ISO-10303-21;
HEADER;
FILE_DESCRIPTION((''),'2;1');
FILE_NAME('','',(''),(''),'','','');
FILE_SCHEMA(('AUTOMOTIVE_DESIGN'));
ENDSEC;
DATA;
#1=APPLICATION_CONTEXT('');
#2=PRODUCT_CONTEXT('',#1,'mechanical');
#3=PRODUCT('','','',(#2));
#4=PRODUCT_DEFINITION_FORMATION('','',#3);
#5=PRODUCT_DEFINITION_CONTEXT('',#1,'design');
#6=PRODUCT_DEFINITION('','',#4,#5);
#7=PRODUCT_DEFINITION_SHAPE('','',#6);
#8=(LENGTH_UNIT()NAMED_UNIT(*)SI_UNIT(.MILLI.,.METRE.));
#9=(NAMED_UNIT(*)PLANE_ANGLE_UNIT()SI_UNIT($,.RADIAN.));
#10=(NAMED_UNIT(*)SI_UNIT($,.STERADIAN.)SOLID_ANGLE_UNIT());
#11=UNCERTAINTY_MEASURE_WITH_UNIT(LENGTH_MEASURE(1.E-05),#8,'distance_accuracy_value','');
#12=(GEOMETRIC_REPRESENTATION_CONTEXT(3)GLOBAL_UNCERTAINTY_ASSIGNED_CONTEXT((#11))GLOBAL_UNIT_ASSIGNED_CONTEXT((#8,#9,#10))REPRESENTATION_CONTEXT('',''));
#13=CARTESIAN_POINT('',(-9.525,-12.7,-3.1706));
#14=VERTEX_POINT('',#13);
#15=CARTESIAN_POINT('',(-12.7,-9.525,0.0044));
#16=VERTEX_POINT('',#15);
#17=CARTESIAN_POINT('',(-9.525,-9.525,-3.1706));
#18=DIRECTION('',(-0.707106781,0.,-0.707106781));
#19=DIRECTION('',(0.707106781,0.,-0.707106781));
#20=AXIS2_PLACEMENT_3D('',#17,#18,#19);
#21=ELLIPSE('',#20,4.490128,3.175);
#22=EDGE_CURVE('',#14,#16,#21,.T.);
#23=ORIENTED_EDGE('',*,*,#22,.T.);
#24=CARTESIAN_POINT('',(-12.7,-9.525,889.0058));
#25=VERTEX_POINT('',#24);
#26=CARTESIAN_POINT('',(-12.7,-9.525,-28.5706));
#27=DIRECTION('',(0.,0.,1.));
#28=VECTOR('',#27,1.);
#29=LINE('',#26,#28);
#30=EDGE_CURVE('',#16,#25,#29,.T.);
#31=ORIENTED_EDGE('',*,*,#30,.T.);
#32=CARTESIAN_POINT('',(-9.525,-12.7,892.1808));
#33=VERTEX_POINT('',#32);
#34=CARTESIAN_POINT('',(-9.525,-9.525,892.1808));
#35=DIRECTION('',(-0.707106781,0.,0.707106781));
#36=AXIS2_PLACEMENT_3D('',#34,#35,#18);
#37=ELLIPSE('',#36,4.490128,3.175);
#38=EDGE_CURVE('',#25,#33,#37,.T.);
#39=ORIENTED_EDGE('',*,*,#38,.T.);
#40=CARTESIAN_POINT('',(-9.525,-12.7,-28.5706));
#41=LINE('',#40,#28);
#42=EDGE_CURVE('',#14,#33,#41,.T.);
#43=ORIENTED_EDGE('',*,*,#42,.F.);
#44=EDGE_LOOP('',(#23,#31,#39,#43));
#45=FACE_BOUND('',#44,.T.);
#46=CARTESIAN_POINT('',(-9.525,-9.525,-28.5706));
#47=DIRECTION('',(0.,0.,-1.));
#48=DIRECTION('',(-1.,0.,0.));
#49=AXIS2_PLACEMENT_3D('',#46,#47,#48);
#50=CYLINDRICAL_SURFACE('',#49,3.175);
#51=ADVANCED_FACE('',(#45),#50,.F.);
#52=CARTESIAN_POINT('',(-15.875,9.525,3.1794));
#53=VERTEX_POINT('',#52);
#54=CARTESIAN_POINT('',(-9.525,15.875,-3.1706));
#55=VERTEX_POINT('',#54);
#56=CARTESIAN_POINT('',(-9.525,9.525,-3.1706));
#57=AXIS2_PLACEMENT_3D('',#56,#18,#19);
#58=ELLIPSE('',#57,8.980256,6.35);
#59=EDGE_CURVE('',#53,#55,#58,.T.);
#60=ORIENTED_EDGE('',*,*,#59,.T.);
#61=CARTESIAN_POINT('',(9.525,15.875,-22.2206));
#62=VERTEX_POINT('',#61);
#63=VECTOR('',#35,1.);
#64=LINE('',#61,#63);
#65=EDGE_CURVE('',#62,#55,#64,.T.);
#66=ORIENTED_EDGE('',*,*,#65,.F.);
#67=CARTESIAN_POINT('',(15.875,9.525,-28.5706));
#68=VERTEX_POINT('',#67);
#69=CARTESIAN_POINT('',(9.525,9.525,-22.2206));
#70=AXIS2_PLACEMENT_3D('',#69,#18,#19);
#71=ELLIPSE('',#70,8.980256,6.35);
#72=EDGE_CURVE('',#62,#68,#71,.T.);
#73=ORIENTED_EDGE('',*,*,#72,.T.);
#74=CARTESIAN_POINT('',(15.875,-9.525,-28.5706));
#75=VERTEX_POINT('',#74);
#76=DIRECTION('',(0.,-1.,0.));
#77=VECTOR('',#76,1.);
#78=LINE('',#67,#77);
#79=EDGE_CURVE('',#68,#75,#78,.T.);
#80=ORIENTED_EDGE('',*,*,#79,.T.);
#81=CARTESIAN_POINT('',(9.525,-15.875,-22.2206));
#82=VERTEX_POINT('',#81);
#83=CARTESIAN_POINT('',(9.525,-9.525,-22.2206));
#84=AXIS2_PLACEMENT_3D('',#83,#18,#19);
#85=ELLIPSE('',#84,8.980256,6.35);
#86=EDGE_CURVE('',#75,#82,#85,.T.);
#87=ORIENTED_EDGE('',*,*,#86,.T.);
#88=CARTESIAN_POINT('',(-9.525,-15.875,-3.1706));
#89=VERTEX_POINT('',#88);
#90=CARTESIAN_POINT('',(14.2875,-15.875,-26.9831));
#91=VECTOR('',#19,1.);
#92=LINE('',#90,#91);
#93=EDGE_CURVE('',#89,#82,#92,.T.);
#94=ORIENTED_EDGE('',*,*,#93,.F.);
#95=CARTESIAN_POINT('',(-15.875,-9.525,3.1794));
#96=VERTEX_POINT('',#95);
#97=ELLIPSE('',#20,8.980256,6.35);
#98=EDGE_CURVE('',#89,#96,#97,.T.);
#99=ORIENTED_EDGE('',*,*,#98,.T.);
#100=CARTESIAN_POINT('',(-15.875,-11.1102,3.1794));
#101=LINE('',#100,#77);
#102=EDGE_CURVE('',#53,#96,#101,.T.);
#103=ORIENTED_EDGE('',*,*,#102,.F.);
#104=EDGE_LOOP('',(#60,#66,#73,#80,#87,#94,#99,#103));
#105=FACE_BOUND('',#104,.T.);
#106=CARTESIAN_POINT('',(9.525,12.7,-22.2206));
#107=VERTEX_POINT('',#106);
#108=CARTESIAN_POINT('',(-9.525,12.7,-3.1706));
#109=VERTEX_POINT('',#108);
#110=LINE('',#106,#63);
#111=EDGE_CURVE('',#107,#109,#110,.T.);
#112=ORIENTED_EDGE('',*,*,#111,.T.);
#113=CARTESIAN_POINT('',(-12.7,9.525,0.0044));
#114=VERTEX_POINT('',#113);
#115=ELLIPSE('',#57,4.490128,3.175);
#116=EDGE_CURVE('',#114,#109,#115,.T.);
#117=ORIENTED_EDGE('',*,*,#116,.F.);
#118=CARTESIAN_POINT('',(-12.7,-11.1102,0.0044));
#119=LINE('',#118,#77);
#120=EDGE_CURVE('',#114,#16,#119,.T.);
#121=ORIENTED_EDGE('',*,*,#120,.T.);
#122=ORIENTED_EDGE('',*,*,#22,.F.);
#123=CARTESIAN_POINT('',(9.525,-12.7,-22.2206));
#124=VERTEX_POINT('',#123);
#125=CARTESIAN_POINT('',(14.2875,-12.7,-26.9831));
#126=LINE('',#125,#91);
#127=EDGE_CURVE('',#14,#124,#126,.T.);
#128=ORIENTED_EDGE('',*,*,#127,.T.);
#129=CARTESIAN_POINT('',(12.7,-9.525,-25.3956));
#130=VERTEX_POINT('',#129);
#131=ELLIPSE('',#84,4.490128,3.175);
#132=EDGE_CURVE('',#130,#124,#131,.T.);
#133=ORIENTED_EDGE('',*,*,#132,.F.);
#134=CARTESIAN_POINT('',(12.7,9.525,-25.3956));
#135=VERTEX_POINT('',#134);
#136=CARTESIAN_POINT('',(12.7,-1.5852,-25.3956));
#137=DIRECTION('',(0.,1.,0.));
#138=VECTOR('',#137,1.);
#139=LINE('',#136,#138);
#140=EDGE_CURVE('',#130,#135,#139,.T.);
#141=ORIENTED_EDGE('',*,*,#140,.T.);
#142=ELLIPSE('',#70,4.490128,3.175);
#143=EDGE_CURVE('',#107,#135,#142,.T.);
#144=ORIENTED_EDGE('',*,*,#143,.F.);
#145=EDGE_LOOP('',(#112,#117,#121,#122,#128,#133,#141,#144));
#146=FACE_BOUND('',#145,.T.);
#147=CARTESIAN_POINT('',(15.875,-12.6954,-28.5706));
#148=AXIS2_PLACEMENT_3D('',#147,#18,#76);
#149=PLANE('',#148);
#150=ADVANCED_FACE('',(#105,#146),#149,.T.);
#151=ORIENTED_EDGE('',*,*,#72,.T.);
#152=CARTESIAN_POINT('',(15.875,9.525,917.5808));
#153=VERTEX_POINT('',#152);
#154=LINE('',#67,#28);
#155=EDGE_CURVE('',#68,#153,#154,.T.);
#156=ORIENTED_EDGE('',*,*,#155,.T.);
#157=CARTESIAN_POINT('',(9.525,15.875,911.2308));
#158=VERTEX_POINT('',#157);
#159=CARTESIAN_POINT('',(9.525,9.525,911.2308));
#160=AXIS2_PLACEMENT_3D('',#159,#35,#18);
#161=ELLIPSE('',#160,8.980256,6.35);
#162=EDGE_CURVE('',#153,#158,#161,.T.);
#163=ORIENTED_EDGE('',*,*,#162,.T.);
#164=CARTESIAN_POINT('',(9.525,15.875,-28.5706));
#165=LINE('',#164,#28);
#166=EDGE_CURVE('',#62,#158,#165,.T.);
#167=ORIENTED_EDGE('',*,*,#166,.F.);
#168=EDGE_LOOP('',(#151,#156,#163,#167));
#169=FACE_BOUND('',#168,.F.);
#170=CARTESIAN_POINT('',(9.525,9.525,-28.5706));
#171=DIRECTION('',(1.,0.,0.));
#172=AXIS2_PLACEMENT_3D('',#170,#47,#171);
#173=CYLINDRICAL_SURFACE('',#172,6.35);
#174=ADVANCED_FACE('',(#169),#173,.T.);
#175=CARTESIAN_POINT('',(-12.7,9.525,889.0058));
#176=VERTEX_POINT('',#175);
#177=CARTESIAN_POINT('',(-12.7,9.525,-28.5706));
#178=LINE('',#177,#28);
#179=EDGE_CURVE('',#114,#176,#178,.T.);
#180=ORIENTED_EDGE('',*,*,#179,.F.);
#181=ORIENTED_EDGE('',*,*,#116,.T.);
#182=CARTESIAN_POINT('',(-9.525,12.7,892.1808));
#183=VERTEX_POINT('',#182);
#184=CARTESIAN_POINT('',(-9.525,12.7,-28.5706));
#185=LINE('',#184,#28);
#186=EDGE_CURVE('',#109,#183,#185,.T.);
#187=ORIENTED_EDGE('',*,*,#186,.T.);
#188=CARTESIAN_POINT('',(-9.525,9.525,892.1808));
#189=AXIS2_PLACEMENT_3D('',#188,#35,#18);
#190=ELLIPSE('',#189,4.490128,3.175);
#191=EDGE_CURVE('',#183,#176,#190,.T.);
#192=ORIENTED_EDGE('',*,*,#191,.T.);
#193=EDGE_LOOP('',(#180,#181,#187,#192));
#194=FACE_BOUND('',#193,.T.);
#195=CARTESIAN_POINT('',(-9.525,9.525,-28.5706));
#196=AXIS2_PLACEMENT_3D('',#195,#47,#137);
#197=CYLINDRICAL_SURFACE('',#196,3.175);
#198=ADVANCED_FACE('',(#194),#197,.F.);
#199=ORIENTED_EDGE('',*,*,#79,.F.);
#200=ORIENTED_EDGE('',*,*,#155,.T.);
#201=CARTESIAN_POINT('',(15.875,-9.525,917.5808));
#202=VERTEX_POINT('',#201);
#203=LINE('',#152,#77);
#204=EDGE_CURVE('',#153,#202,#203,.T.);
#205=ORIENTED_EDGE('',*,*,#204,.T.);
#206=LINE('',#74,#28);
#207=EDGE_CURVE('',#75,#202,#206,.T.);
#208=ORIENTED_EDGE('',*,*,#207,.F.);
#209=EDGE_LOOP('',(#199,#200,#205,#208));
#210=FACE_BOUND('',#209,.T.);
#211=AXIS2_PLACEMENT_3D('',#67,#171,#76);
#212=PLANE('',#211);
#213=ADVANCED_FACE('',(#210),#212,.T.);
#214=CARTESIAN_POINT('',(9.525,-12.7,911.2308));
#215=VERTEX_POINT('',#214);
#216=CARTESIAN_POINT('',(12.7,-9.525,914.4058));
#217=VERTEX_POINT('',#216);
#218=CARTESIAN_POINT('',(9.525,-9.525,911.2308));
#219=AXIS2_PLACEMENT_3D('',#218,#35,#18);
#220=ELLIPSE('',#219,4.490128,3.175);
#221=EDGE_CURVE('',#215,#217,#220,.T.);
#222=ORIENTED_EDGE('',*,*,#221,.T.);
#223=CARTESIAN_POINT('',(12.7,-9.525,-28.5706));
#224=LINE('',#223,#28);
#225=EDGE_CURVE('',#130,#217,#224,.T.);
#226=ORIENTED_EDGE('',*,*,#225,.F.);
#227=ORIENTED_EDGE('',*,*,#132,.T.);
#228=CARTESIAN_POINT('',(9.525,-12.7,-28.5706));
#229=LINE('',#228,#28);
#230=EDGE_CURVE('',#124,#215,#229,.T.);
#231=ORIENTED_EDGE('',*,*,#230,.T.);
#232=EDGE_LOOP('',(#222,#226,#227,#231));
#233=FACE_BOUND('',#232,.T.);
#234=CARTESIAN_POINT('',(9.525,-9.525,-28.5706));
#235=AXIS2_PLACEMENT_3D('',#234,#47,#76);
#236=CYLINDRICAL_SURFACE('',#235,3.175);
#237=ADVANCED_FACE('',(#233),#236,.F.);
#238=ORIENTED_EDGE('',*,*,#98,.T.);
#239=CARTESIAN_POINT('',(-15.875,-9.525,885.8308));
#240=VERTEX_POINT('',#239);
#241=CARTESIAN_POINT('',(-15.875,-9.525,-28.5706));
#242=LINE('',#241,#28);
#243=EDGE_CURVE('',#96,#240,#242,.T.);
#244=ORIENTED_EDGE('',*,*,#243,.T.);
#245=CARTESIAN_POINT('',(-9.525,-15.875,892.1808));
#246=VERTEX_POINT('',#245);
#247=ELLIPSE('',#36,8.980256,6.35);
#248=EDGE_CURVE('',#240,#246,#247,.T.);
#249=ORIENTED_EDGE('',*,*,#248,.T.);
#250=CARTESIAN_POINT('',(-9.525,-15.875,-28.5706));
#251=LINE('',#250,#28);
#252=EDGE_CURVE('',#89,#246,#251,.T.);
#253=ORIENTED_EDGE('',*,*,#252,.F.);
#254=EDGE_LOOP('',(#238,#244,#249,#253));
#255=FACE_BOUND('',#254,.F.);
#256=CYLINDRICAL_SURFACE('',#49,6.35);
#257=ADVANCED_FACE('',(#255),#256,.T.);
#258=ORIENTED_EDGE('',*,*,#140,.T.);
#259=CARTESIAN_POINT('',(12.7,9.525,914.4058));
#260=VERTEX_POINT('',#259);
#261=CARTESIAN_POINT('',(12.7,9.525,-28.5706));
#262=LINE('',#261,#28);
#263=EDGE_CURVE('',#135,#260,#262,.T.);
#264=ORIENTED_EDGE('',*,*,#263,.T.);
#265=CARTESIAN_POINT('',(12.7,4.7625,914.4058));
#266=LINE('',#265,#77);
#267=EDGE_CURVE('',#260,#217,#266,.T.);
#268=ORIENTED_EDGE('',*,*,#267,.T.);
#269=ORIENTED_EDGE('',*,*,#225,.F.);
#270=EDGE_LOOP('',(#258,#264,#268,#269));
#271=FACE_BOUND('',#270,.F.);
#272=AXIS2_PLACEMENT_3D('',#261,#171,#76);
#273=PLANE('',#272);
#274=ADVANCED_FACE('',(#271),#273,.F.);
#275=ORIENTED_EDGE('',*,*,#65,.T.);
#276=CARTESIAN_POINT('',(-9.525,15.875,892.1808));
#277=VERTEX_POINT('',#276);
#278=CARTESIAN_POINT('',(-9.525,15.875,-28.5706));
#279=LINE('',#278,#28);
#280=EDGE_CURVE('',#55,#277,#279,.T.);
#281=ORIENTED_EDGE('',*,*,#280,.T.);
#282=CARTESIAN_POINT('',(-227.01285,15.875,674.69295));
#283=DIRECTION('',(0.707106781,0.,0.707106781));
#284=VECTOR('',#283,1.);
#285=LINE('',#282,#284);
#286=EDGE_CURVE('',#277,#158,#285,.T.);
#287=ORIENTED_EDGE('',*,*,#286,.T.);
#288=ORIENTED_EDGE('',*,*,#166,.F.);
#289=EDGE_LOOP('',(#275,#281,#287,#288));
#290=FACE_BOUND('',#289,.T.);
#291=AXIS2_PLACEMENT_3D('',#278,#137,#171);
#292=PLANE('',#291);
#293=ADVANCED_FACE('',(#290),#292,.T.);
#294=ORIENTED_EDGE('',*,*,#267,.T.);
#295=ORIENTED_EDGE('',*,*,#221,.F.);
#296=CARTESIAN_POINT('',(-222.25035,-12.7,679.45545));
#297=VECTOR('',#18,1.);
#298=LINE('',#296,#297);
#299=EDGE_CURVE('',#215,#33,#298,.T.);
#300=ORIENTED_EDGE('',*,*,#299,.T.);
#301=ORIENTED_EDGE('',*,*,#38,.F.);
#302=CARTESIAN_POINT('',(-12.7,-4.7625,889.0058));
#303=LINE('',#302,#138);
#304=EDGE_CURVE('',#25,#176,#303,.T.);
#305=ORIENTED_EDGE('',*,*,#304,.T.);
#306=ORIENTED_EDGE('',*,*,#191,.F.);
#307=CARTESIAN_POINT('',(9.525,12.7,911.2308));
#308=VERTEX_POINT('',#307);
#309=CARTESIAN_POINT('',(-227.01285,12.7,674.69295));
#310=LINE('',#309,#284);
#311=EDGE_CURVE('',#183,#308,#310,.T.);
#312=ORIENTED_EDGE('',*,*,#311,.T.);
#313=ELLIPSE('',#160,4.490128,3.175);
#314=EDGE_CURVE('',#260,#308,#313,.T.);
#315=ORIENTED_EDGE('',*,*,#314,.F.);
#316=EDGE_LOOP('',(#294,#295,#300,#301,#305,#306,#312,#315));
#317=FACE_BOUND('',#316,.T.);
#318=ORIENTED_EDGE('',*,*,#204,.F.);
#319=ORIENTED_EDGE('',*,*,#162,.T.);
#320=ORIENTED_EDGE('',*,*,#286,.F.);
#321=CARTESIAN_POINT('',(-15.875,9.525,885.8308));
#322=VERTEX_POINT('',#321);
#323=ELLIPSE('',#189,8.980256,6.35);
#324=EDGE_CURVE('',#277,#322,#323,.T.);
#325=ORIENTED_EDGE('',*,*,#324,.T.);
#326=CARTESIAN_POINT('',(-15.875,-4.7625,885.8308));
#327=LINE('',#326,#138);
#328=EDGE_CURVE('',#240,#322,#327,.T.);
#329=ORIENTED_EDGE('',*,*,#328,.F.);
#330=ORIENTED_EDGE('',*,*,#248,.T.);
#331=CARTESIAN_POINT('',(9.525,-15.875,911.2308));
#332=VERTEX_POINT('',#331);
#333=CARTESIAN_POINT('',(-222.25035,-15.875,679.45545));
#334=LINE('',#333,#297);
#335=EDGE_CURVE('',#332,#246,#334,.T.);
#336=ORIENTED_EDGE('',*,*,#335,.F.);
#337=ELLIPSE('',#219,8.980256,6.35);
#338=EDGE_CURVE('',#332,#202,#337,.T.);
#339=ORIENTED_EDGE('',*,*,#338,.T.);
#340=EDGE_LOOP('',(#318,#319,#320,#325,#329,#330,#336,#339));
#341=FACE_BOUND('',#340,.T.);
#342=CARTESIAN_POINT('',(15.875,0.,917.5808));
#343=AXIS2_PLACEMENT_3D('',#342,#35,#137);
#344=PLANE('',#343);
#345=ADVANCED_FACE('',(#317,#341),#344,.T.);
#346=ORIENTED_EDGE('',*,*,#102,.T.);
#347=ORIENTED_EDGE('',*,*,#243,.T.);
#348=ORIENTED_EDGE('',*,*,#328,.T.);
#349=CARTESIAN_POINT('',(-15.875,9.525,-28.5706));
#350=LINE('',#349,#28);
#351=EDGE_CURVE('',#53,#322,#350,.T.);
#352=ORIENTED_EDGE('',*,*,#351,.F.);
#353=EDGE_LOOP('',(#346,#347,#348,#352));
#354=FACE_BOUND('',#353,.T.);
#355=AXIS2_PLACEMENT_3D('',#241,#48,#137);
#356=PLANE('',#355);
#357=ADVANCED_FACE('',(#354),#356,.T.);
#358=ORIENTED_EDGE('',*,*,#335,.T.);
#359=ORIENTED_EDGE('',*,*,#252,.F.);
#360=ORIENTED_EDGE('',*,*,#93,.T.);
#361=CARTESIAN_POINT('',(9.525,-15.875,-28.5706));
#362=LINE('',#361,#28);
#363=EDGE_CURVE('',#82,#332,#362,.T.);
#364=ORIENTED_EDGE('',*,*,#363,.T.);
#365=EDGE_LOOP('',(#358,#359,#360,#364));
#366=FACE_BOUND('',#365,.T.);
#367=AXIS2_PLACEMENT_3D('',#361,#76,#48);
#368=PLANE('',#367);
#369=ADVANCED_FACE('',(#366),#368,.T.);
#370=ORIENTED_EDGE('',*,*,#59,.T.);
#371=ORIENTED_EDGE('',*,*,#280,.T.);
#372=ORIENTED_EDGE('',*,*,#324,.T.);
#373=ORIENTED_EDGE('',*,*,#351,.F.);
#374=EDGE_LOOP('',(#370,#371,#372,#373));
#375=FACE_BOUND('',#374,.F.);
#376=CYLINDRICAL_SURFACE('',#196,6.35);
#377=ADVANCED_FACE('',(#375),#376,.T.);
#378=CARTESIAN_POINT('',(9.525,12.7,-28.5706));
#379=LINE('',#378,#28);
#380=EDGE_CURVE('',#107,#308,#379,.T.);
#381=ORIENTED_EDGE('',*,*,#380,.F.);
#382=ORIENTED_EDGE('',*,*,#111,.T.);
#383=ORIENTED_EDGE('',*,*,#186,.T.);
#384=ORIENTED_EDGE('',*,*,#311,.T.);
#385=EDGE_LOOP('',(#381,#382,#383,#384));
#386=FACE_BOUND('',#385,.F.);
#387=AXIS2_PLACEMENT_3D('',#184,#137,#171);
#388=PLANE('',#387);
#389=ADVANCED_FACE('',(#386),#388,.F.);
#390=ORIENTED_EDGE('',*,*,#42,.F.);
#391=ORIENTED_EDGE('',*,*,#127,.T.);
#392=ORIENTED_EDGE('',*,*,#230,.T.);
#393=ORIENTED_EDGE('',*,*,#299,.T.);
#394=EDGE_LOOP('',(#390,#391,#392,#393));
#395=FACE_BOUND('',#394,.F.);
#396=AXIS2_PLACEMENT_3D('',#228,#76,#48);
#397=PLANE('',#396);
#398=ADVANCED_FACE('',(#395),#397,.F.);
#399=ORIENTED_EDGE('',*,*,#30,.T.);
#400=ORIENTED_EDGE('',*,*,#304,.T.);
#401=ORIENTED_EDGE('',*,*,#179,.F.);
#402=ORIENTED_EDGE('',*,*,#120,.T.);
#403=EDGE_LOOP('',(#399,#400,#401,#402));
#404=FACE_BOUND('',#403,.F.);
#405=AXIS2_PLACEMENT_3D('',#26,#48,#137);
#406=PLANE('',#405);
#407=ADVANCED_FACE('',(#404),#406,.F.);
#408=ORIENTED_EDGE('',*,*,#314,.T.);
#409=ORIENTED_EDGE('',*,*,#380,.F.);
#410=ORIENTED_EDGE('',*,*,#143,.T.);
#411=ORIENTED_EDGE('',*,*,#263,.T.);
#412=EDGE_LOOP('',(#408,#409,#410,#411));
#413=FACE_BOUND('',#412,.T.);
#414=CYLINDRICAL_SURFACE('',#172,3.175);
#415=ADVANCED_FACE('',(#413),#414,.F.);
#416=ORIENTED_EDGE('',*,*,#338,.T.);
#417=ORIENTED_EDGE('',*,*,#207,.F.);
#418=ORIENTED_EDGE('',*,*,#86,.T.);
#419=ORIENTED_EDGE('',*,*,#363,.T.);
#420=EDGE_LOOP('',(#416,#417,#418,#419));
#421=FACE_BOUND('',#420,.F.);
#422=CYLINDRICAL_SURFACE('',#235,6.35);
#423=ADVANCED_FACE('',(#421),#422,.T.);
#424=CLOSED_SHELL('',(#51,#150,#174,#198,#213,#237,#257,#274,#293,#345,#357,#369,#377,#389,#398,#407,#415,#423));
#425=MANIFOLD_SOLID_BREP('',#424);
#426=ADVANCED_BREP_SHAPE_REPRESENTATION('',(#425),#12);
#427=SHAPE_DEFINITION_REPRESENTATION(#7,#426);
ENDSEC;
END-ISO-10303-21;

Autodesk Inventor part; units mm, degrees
ref_plane "Start plane" through (0, 0, -28.5706) normal (0, 0, 1) x (1, 0, 0)
ref_plane "End plane" through (0, 0, 917.5808) normal (0, 0, 1) x (1, 0, 0)
sketch "Sketch" plane through (0, 0, 0) normal (0, 0, 1) x (1, 0, 0)
  line L0 (-15.875, -9.525) -> (-15.875, 9.525)
  line L1 (-9.525, 15.875) -> (9.525, 15.875)
  line L2 (15.875, 9.525) -> (15.875, -9.525)
  line L3 (9.525, -15.875) -> (-9.525, -15.875)
  arc A0 (-15.875, -9.525) -> (-9.525, -15.875) centre (-9.525, -9.525) ccw
  arc A1 (-9.525, 15.875) -> (-15.875, 9.525) centre (-9.525, 9.525) ccw
  arc A2 (15.875, 9.525) -> (9.525, 15.875) centre (9.525, 9.525) ccw
  arc A3 (9.525, -15.875) -> (15.875, -9.525) centre (9.525, -9.525) ccw
  arc A4 (-9.525, 12.7) -> (-12.7, 9.525) centre (-9.525, 9.525) ccw
  line L4 (-9.525, 12.7) -> (9.525, 12.7)
  arc A5 (12.7, 9.525) -> (9.525, 12.7) centre (9.525, 9.525) ccw
  line L5 (12.7, 9.525) -> (12.7, -9.525)
  arc A6 (9.525, -12.7) -> (12.7, -9.525) centre (9.525, -9.525) ccw
  line L6 (9.525, -12.7) -> (-9.525, -12.7)
  arc A7 (-12.7, -9.525) -> (-9.525, -12.7) centre (-9.525, -9.525) ccw
  line L7 (-12.7, -9.525) -> (-12.7, 9.525)
  line L8 (0, 24.0662) -> (0, -24.0662) construction
  line L9 (-24.0662, 0) -> (24.0662, 0) construction
  dimension "d10" = 31.75
  dimension "d11" = 31.75
  dimension "d12" = 3.175
  dimension "d15" = 15.875
  dimension "d16" = 15.875
  dimension "d17" = 6.35
extrude "Body" add sketch "Sketch" along normal up to surface (946.1514 mm away) from surface at -28.5706
sketch "Sketch3" plane through (0, 0, 0) normal (0, 0, 1) x (1, 0, 0)
  line L0 (0, 0) -> (10, 0)
ref_plane "Work Plane3" through (0, 0, 0) normal (0, -1, 0) x (1, 0, 0)
sketch "Sketch4" plane through (0, 0, 0) normal (0, -1, 0) x (1, 0, 0)
  line L0 (-2, -28.5706) -> (12, -28.5706)
  line L1 (-2, 917.5808) -> (12, 917.5808)
  dimension "d19" = 946.1514
ref_plane "Work Plane4" through (15.875, 0, 917.5808) normal (-0.7071, 0, 0.7071) x (0.7071, 0, 0.7071)
split "Split1" plane through (15.875, 0, 917.5808) removes the side toward (-0.7071, 0, 0.7071)
ref_plane "Work Plane5" through (15.875, -12.6954, -28.5706) normal (-0.7071, 0, -0.7071) x (-0.7071, 0, 0.7071)
split "Split2" plane through (15.875, -12.6954, -28.5706) removes the side toward (-0.7071, 0, -0.7071)
equation "\"d10\" = G_H"
equation "\"d11\" = G_W"
equation "\"d12\" = G_T"
equation "\"d15\" = 0.5 * d10"
equation "\"d16\" = 0.5 * d11"
equation "\"d17\" = G_IR"
equation "\"d3\" = G_L"
equation "\"G_W\" = 31.75"
equation "\"G_H\" = 31.75"
equation "\"G_T\" = 3.175"
equation "\"G_IR\" = 6.35"
equation "\"G_L\" = d19"
equation "\"G_OFFSET_START\" = 28.57058"
equation "\"G_OFFSET_END\" = 3.18847"
equation "\"d13\" = -G_OFFSET_START"
equation "\"d14\" = G_OFFSET_END + B_L"
equation "\"B_L\" = 914.39231"
properties part number "AISC HSS - 1-1/4x1-1/4x1/8 - 37.25" material "Steel, Mild"
